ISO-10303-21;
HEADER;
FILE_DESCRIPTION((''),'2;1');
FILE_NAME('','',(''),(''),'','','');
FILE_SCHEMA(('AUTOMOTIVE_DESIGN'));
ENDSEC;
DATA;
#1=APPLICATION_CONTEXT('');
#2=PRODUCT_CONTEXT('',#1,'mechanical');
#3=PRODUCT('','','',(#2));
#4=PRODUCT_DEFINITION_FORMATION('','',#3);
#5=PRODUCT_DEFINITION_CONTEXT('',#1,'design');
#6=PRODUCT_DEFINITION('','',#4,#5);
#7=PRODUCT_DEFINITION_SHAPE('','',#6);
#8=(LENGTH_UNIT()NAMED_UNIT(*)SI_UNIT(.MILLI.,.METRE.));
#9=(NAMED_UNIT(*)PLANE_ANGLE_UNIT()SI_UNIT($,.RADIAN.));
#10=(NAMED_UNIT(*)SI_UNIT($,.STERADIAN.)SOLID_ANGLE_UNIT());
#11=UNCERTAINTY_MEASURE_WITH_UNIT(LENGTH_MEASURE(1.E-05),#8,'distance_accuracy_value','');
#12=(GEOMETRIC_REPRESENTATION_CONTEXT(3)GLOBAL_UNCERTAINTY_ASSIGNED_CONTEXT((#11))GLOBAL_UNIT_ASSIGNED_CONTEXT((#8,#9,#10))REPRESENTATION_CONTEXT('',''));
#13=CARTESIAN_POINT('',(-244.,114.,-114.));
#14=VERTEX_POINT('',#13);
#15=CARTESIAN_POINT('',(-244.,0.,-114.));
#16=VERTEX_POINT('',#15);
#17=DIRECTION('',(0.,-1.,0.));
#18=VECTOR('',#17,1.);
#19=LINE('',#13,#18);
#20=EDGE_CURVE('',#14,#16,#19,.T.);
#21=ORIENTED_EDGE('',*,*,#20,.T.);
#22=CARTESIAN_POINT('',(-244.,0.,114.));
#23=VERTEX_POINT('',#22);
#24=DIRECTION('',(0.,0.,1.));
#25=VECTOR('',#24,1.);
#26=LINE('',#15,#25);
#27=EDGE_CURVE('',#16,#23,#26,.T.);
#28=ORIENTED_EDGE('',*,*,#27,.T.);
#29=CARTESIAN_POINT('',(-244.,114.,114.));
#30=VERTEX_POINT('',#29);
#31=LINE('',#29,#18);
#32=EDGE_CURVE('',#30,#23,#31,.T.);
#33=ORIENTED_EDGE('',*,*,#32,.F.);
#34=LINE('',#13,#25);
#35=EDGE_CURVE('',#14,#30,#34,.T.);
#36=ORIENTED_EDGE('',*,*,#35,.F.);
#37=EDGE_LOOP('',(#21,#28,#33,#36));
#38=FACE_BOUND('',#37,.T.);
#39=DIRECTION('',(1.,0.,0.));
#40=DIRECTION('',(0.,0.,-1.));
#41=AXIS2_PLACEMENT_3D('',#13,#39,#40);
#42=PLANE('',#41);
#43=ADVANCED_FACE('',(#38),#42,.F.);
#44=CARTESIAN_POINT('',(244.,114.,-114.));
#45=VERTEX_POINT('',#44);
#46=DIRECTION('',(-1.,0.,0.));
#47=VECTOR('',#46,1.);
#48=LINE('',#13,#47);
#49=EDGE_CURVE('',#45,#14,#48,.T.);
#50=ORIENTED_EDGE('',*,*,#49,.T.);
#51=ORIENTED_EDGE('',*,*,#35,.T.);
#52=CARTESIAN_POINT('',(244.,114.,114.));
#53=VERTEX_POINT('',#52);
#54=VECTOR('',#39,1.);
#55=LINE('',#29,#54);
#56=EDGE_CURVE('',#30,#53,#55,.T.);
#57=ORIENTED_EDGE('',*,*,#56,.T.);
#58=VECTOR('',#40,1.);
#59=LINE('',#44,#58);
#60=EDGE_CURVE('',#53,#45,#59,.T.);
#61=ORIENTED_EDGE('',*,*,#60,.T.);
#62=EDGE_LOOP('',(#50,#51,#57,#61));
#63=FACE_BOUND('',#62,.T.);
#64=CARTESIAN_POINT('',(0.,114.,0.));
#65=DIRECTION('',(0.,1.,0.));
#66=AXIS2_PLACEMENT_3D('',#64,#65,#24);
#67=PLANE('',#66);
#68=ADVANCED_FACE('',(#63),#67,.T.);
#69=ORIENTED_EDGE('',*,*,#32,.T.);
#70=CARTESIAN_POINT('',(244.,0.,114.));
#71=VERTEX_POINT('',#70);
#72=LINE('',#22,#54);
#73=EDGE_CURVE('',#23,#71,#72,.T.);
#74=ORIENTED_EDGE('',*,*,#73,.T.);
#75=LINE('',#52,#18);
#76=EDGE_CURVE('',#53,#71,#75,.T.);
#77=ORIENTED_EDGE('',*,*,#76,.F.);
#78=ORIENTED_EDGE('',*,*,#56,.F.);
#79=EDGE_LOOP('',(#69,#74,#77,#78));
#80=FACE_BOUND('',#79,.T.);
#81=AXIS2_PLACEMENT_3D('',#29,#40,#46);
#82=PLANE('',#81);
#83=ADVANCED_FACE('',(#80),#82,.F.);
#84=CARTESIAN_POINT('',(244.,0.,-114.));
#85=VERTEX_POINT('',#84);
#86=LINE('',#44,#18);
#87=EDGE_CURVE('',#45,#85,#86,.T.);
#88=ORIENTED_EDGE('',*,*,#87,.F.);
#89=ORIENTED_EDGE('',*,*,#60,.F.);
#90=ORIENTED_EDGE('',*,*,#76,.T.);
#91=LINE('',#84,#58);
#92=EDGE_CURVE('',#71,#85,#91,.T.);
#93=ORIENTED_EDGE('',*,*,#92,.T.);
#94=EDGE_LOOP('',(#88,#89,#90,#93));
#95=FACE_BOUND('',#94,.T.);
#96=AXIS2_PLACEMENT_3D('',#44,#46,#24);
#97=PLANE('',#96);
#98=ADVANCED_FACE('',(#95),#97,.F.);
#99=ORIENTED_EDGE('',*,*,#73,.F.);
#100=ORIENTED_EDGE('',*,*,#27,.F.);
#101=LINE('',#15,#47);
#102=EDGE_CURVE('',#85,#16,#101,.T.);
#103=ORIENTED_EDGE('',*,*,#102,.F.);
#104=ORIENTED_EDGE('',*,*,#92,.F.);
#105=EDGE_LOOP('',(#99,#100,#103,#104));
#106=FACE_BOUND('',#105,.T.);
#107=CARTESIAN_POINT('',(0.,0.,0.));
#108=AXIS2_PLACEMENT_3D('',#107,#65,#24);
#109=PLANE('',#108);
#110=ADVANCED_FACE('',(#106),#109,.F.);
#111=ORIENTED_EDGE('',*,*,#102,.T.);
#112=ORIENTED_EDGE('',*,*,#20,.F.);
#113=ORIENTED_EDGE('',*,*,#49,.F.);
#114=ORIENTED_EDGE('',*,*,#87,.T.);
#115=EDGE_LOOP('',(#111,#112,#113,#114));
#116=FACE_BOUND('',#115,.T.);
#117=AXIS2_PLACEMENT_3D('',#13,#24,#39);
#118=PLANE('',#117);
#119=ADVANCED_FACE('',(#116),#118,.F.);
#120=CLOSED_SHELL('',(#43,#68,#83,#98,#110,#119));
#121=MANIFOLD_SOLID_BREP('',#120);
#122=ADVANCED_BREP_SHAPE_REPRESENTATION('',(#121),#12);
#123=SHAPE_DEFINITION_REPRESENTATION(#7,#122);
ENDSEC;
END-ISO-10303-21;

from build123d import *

# Parameters (mm, degrees)
CROQUIS1_W              = 488
CROQUIS1_H              = 228
SALIENTE_EXTRUIR1_DEPTH = 114


with BuildPart() as part:
    # Croquis1 → Saliente-Extruir1 (new body)
    with BuildSketch(Plane(origin=(0, 0, 0), x_dir=(1, 0, 0), z_dir=(0, 1, 0))):
        Rectangle(CROQUIS1_W, CROQUIS1_H)
    extrude(amount=SALIENTE_EXTRUIR1_DEPTH)


solid = part.part
